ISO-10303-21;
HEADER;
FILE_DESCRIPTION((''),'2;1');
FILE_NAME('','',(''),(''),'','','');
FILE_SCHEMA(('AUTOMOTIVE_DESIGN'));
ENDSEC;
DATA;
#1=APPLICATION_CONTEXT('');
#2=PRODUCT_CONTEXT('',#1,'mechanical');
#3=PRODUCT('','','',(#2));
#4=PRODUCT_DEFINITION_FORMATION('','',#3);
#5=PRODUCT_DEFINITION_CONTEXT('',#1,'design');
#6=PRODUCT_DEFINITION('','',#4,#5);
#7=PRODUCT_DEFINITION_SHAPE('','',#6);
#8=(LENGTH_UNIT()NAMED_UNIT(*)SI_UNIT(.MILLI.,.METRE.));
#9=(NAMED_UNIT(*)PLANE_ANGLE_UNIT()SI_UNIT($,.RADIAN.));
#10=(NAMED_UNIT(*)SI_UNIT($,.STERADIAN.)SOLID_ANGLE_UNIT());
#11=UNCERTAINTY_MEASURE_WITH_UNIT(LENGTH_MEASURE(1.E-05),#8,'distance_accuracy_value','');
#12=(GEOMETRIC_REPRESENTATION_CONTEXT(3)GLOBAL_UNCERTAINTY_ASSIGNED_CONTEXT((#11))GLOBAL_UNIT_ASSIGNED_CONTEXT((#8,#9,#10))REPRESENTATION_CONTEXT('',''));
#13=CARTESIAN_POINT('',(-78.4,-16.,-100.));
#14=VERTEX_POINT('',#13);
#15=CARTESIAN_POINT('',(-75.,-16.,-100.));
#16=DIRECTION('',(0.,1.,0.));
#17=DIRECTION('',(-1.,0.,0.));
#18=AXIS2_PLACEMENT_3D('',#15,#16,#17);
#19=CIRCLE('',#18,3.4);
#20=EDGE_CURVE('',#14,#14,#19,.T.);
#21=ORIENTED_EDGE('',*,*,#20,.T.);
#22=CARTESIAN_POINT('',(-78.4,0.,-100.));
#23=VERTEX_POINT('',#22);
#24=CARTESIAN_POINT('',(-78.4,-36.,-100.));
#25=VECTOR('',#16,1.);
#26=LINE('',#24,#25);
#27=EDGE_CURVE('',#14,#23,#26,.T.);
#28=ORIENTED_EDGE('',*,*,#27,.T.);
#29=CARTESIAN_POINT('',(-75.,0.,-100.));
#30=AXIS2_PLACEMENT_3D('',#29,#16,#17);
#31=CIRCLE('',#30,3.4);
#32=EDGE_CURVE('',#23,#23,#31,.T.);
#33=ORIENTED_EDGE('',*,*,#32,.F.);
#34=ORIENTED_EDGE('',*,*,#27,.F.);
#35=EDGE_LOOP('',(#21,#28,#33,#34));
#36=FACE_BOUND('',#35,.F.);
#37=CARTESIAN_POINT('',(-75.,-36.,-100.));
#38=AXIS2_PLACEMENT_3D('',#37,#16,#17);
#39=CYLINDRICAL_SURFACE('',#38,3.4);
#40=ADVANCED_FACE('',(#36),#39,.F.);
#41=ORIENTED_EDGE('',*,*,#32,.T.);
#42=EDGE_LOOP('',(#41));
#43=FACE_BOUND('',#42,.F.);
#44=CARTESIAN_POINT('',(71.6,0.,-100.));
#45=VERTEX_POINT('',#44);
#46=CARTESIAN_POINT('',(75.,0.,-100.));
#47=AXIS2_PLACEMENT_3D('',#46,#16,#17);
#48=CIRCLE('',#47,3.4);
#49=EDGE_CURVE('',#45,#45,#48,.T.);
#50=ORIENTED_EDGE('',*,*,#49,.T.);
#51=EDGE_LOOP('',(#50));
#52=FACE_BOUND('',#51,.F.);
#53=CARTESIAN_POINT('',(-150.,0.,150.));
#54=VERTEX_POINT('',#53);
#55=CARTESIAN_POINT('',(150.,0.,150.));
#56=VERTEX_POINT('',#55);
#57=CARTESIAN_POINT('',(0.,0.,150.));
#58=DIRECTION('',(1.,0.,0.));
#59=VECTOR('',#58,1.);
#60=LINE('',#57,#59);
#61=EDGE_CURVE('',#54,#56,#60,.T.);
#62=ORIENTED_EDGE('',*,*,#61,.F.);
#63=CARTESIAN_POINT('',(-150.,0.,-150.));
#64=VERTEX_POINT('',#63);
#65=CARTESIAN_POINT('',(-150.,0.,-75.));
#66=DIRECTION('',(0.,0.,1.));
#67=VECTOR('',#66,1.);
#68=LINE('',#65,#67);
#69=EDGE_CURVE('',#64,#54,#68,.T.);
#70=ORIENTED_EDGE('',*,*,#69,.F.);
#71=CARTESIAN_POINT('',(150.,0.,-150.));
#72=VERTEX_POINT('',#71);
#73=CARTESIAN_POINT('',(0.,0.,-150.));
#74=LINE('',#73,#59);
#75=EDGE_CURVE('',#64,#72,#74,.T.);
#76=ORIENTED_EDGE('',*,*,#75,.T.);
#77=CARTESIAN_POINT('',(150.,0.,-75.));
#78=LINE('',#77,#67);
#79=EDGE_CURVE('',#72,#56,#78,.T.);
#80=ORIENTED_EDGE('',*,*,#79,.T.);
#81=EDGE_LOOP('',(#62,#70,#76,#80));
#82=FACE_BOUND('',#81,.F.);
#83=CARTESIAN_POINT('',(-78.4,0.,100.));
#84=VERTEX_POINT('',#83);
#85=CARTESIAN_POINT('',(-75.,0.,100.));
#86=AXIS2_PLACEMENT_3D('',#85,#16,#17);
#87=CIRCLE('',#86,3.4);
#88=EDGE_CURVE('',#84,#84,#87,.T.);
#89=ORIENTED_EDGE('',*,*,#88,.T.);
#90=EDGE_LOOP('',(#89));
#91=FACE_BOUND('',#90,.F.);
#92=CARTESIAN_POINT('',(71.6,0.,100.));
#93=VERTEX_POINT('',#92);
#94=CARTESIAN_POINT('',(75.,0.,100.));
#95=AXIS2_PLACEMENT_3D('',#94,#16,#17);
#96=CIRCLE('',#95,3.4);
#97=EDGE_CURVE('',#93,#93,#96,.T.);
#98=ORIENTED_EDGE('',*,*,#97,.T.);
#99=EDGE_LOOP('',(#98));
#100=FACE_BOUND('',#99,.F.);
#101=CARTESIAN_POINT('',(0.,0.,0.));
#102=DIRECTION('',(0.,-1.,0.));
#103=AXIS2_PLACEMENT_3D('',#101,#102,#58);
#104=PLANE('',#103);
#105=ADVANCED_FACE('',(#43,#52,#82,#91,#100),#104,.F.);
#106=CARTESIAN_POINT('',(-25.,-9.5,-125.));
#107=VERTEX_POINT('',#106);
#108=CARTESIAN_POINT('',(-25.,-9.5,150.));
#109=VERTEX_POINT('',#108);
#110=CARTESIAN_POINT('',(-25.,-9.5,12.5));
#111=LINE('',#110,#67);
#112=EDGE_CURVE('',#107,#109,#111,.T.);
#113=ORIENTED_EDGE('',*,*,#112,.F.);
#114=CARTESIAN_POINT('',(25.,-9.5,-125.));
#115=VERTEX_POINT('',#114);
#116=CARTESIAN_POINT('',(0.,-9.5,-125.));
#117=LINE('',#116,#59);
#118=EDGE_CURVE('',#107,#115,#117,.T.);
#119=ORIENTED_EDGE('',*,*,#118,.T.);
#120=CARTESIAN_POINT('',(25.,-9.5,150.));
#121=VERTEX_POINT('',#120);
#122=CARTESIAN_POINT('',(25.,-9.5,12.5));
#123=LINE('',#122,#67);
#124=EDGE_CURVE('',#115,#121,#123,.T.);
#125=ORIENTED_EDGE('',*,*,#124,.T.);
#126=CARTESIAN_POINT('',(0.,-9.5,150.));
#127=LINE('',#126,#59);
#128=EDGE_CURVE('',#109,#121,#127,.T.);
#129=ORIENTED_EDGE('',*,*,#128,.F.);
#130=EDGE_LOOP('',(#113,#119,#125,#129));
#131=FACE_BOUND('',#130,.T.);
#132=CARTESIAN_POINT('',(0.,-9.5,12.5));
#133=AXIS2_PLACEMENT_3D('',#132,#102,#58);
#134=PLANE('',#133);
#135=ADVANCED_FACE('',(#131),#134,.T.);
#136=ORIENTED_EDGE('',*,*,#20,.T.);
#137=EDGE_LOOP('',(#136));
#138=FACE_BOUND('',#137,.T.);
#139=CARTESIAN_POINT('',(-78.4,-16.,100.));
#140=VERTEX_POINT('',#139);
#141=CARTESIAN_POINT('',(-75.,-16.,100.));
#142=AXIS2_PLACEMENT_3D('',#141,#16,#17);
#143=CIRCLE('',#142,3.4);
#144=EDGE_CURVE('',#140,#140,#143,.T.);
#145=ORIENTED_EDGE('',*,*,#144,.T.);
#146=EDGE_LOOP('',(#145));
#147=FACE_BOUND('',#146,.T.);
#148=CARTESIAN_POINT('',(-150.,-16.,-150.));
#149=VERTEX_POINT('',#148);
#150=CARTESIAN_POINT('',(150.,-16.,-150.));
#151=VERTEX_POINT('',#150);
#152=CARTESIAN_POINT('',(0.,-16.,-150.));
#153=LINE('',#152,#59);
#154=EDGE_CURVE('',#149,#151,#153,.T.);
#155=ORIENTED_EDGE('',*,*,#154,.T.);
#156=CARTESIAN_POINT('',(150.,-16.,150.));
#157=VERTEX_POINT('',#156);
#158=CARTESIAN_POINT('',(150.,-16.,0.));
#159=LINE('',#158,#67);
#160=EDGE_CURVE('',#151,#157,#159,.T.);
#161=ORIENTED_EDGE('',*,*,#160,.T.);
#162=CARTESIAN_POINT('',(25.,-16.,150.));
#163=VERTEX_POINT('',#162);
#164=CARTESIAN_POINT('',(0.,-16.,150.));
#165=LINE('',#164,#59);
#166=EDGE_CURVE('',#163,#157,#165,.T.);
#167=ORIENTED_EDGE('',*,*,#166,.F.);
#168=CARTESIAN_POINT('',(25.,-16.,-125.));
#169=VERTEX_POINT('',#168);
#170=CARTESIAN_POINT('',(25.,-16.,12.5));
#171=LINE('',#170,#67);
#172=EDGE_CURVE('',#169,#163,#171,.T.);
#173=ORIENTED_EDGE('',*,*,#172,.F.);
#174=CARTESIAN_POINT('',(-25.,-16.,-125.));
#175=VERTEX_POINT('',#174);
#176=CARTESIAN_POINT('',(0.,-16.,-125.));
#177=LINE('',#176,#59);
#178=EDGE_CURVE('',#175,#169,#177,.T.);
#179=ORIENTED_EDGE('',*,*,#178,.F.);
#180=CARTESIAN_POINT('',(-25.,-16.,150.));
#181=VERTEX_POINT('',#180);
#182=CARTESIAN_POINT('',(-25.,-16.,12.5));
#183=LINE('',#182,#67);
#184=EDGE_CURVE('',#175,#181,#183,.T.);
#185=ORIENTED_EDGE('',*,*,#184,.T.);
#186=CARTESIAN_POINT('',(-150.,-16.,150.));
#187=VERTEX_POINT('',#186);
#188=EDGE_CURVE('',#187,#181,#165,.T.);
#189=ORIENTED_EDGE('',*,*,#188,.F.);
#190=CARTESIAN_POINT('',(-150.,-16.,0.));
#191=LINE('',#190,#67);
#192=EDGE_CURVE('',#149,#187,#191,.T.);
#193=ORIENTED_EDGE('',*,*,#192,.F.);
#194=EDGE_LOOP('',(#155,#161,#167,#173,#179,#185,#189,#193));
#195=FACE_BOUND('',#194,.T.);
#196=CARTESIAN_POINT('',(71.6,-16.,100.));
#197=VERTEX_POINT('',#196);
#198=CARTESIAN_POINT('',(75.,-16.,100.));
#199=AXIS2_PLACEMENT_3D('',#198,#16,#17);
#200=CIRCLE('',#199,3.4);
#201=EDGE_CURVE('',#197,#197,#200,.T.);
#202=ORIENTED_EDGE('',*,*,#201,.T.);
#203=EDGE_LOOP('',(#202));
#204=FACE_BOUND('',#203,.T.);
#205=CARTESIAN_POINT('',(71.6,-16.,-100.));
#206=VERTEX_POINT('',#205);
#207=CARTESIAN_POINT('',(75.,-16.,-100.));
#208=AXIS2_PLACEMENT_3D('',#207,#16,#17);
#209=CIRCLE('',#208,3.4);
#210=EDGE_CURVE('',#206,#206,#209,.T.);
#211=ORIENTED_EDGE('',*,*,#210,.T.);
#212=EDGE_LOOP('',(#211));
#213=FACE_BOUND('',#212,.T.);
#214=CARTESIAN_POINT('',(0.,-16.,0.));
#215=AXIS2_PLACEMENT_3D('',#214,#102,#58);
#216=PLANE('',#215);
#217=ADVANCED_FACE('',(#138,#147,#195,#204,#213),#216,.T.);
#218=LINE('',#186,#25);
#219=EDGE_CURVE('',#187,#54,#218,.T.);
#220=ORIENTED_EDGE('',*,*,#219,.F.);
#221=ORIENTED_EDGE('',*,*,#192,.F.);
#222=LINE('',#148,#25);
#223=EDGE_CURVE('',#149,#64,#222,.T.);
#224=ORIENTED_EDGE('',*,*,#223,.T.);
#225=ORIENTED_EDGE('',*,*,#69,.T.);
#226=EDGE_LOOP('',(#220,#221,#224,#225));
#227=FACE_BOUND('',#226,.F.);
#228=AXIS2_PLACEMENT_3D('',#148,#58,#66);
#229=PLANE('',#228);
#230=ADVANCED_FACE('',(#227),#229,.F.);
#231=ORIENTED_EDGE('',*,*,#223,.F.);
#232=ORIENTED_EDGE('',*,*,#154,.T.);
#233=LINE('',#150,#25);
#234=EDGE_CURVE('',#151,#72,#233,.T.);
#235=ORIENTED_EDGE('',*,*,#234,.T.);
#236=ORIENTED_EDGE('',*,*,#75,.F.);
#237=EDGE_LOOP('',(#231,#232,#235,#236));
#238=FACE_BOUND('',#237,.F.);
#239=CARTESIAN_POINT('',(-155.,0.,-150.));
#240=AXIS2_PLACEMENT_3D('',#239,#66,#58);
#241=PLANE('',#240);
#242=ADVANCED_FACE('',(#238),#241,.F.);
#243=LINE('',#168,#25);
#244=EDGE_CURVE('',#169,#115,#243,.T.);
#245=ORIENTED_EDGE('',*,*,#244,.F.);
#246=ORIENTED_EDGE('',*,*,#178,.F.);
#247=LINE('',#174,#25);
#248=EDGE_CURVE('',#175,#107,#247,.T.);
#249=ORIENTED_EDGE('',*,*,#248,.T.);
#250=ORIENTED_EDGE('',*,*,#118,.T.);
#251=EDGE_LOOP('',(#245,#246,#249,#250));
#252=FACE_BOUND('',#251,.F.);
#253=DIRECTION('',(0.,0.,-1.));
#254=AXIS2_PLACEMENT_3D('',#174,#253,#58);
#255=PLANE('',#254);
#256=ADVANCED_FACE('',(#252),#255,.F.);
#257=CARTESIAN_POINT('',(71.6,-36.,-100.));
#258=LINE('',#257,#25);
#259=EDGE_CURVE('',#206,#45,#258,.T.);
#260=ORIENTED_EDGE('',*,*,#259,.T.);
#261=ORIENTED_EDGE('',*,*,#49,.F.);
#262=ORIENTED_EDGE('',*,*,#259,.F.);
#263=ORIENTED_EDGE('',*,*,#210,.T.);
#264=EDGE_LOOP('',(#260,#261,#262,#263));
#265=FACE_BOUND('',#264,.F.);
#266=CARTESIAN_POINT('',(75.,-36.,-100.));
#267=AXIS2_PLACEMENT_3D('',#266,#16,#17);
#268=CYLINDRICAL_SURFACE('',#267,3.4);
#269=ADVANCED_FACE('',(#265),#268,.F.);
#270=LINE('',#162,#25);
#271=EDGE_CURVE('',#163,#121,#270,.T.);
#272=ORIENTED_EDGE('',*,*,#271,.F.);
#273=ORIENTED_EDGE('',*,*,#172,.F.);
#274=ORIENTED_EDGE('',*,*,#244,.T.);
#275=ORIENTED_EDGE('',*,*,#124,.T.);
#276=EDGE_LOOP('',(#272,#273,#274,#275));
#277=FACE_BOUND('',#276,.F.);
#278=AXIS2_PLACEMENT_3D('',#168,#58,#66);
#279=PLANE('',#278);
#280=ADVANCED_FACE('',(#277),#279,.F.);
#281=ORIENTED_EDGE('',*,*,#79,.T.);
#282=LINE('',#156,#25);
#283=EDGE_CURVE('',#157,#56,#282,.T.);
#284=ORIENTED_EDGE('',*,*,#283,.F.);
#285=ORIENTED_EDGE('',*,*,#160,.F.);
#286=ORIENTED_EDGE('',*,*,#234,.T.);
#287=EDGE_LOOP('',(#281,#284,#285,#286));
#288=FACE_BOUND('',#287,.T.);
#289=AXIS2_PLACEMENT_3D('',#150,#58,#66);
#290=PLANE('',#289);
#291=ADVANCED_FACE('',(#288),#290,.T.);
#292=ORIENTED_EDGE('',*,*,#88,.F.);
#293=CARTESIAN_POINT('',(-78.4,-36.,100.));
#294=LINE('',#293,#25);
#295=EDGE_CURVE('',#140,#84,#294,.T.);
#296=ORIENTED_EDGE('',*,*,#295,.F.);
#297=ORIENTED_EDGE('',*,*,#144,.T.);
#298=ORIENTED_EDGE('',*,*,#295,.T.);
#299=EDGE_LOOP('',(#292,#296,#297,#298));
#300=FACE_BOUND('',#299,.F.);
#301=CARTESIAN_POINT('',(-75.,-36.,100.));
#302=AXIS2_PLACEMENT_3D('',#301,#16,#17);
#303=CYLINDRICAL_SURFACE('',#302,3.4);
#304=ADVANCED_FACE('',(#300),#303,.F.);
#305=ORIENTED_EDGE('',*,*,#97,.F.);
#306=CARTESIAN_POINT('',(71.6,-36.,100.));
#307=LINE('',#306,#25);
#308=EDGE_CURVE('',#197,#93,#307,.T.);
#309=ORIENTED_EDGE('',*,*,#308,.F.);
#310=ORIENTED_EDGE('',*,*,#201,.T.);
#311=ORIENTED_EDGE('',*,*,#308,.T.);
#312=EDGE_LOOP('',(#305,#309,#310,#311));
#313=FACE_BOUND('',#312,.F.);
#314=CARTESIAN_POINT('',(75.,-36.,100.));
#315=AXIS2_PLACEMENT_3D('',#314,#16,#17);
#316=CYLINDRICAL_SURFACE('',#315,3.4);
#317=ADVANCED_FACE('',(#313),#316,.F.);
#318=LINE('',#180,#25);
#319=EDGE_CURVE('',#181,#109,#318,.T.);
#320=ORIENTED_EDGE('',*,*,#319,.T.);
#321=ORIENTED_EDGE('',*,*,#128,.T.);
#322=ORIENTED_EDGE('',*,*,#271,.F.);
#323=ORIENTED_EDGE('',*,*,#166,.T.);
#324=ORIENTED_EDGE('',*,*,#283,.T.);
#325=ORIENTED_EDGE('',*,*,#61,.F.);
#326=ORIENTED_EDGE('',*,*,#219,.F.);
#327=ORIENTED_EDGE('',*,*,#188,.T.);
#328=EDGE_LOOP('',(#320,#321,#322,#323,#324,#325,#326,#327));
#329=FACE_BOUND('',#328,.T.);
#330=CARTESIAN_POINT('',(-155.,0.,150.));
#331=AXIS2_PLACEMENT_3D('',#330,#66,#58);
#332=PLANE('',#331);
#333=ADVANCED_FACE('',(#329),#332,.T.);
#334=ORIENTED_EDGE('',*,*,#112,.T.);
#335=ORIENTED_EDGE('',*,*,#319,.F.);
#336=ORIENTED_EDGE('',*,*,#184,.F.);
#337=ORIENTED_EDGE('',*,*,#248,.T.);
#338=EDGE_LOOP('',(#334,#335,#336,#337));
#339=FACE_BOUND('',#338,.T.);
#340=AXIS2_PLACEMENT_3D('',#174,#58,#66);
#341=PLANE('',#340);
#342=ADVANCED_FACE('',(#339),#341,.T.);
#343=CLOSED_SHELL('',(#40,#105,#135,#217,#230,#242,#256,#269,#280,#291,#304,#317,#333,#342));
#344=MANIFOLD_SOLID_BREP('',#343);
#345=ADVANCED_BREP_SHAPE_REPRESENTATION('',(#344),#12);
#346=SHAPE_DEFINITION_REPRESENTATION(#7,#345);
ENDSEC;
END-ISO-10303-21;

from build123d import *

# Parameters (mm, degrees)
F0_W     = 310
F0_H     = 300
F1_DEPTH = 16
F2_W     = 5
F2_H     = 300
F3_DEPTH = 16.001
F4_W     = 50
F4_H     = 275
F5_DEPTH = 6.5
F7_D     = 6.8
F7_DEPTH = 20
F7_TIP   = 2.0429261047


with BuildPart() as f1:
    # F0 (on Front) → F1 (new body)
    with BuildSketch(Plane.XZ):
        Rectangle(F0_W, F0_H)
    extrude(amount=F1_DEPTH)

    # F2 (on face) → F3 (cut, through all)
    with BuildSketch(Plane.XZ.offset(16)):
        with Locations((152.5, 0)):
            Rectangle(F2_W, F2_H)
        with Locations((-152.5, 0)):
            Rectangle(F2_W, F2_H)
    extrude(amount=-F3_DEPTH, mode=Mode.SUBTRACT)

    # F4 (on face) → F5 (cut)
    with BuildSketch(Plane.XZ.offset(16)):
        with Locations((0, 12.5)):
            Rectangle(F4_W, F4_H)
    extrude(amount=-F5_DEPTH, mode=Mode.SUBTRACT)

    # F7
    with Locations(Plane.XZ.offset(16)):
        with Locations((-75, 100), (75, 100), (75, -100), (-75, -100)):
            Hole(F7_D / 2, depth=F7_DEPTH)
            with Locations((0, 0, -(F7_DEPTH + F7_TIP / 2))):  # 118° drill point
                Cone(0, F7_D / 2, F7_TIP, mode=Mode.SUBTRACT)


solid = f1.part
